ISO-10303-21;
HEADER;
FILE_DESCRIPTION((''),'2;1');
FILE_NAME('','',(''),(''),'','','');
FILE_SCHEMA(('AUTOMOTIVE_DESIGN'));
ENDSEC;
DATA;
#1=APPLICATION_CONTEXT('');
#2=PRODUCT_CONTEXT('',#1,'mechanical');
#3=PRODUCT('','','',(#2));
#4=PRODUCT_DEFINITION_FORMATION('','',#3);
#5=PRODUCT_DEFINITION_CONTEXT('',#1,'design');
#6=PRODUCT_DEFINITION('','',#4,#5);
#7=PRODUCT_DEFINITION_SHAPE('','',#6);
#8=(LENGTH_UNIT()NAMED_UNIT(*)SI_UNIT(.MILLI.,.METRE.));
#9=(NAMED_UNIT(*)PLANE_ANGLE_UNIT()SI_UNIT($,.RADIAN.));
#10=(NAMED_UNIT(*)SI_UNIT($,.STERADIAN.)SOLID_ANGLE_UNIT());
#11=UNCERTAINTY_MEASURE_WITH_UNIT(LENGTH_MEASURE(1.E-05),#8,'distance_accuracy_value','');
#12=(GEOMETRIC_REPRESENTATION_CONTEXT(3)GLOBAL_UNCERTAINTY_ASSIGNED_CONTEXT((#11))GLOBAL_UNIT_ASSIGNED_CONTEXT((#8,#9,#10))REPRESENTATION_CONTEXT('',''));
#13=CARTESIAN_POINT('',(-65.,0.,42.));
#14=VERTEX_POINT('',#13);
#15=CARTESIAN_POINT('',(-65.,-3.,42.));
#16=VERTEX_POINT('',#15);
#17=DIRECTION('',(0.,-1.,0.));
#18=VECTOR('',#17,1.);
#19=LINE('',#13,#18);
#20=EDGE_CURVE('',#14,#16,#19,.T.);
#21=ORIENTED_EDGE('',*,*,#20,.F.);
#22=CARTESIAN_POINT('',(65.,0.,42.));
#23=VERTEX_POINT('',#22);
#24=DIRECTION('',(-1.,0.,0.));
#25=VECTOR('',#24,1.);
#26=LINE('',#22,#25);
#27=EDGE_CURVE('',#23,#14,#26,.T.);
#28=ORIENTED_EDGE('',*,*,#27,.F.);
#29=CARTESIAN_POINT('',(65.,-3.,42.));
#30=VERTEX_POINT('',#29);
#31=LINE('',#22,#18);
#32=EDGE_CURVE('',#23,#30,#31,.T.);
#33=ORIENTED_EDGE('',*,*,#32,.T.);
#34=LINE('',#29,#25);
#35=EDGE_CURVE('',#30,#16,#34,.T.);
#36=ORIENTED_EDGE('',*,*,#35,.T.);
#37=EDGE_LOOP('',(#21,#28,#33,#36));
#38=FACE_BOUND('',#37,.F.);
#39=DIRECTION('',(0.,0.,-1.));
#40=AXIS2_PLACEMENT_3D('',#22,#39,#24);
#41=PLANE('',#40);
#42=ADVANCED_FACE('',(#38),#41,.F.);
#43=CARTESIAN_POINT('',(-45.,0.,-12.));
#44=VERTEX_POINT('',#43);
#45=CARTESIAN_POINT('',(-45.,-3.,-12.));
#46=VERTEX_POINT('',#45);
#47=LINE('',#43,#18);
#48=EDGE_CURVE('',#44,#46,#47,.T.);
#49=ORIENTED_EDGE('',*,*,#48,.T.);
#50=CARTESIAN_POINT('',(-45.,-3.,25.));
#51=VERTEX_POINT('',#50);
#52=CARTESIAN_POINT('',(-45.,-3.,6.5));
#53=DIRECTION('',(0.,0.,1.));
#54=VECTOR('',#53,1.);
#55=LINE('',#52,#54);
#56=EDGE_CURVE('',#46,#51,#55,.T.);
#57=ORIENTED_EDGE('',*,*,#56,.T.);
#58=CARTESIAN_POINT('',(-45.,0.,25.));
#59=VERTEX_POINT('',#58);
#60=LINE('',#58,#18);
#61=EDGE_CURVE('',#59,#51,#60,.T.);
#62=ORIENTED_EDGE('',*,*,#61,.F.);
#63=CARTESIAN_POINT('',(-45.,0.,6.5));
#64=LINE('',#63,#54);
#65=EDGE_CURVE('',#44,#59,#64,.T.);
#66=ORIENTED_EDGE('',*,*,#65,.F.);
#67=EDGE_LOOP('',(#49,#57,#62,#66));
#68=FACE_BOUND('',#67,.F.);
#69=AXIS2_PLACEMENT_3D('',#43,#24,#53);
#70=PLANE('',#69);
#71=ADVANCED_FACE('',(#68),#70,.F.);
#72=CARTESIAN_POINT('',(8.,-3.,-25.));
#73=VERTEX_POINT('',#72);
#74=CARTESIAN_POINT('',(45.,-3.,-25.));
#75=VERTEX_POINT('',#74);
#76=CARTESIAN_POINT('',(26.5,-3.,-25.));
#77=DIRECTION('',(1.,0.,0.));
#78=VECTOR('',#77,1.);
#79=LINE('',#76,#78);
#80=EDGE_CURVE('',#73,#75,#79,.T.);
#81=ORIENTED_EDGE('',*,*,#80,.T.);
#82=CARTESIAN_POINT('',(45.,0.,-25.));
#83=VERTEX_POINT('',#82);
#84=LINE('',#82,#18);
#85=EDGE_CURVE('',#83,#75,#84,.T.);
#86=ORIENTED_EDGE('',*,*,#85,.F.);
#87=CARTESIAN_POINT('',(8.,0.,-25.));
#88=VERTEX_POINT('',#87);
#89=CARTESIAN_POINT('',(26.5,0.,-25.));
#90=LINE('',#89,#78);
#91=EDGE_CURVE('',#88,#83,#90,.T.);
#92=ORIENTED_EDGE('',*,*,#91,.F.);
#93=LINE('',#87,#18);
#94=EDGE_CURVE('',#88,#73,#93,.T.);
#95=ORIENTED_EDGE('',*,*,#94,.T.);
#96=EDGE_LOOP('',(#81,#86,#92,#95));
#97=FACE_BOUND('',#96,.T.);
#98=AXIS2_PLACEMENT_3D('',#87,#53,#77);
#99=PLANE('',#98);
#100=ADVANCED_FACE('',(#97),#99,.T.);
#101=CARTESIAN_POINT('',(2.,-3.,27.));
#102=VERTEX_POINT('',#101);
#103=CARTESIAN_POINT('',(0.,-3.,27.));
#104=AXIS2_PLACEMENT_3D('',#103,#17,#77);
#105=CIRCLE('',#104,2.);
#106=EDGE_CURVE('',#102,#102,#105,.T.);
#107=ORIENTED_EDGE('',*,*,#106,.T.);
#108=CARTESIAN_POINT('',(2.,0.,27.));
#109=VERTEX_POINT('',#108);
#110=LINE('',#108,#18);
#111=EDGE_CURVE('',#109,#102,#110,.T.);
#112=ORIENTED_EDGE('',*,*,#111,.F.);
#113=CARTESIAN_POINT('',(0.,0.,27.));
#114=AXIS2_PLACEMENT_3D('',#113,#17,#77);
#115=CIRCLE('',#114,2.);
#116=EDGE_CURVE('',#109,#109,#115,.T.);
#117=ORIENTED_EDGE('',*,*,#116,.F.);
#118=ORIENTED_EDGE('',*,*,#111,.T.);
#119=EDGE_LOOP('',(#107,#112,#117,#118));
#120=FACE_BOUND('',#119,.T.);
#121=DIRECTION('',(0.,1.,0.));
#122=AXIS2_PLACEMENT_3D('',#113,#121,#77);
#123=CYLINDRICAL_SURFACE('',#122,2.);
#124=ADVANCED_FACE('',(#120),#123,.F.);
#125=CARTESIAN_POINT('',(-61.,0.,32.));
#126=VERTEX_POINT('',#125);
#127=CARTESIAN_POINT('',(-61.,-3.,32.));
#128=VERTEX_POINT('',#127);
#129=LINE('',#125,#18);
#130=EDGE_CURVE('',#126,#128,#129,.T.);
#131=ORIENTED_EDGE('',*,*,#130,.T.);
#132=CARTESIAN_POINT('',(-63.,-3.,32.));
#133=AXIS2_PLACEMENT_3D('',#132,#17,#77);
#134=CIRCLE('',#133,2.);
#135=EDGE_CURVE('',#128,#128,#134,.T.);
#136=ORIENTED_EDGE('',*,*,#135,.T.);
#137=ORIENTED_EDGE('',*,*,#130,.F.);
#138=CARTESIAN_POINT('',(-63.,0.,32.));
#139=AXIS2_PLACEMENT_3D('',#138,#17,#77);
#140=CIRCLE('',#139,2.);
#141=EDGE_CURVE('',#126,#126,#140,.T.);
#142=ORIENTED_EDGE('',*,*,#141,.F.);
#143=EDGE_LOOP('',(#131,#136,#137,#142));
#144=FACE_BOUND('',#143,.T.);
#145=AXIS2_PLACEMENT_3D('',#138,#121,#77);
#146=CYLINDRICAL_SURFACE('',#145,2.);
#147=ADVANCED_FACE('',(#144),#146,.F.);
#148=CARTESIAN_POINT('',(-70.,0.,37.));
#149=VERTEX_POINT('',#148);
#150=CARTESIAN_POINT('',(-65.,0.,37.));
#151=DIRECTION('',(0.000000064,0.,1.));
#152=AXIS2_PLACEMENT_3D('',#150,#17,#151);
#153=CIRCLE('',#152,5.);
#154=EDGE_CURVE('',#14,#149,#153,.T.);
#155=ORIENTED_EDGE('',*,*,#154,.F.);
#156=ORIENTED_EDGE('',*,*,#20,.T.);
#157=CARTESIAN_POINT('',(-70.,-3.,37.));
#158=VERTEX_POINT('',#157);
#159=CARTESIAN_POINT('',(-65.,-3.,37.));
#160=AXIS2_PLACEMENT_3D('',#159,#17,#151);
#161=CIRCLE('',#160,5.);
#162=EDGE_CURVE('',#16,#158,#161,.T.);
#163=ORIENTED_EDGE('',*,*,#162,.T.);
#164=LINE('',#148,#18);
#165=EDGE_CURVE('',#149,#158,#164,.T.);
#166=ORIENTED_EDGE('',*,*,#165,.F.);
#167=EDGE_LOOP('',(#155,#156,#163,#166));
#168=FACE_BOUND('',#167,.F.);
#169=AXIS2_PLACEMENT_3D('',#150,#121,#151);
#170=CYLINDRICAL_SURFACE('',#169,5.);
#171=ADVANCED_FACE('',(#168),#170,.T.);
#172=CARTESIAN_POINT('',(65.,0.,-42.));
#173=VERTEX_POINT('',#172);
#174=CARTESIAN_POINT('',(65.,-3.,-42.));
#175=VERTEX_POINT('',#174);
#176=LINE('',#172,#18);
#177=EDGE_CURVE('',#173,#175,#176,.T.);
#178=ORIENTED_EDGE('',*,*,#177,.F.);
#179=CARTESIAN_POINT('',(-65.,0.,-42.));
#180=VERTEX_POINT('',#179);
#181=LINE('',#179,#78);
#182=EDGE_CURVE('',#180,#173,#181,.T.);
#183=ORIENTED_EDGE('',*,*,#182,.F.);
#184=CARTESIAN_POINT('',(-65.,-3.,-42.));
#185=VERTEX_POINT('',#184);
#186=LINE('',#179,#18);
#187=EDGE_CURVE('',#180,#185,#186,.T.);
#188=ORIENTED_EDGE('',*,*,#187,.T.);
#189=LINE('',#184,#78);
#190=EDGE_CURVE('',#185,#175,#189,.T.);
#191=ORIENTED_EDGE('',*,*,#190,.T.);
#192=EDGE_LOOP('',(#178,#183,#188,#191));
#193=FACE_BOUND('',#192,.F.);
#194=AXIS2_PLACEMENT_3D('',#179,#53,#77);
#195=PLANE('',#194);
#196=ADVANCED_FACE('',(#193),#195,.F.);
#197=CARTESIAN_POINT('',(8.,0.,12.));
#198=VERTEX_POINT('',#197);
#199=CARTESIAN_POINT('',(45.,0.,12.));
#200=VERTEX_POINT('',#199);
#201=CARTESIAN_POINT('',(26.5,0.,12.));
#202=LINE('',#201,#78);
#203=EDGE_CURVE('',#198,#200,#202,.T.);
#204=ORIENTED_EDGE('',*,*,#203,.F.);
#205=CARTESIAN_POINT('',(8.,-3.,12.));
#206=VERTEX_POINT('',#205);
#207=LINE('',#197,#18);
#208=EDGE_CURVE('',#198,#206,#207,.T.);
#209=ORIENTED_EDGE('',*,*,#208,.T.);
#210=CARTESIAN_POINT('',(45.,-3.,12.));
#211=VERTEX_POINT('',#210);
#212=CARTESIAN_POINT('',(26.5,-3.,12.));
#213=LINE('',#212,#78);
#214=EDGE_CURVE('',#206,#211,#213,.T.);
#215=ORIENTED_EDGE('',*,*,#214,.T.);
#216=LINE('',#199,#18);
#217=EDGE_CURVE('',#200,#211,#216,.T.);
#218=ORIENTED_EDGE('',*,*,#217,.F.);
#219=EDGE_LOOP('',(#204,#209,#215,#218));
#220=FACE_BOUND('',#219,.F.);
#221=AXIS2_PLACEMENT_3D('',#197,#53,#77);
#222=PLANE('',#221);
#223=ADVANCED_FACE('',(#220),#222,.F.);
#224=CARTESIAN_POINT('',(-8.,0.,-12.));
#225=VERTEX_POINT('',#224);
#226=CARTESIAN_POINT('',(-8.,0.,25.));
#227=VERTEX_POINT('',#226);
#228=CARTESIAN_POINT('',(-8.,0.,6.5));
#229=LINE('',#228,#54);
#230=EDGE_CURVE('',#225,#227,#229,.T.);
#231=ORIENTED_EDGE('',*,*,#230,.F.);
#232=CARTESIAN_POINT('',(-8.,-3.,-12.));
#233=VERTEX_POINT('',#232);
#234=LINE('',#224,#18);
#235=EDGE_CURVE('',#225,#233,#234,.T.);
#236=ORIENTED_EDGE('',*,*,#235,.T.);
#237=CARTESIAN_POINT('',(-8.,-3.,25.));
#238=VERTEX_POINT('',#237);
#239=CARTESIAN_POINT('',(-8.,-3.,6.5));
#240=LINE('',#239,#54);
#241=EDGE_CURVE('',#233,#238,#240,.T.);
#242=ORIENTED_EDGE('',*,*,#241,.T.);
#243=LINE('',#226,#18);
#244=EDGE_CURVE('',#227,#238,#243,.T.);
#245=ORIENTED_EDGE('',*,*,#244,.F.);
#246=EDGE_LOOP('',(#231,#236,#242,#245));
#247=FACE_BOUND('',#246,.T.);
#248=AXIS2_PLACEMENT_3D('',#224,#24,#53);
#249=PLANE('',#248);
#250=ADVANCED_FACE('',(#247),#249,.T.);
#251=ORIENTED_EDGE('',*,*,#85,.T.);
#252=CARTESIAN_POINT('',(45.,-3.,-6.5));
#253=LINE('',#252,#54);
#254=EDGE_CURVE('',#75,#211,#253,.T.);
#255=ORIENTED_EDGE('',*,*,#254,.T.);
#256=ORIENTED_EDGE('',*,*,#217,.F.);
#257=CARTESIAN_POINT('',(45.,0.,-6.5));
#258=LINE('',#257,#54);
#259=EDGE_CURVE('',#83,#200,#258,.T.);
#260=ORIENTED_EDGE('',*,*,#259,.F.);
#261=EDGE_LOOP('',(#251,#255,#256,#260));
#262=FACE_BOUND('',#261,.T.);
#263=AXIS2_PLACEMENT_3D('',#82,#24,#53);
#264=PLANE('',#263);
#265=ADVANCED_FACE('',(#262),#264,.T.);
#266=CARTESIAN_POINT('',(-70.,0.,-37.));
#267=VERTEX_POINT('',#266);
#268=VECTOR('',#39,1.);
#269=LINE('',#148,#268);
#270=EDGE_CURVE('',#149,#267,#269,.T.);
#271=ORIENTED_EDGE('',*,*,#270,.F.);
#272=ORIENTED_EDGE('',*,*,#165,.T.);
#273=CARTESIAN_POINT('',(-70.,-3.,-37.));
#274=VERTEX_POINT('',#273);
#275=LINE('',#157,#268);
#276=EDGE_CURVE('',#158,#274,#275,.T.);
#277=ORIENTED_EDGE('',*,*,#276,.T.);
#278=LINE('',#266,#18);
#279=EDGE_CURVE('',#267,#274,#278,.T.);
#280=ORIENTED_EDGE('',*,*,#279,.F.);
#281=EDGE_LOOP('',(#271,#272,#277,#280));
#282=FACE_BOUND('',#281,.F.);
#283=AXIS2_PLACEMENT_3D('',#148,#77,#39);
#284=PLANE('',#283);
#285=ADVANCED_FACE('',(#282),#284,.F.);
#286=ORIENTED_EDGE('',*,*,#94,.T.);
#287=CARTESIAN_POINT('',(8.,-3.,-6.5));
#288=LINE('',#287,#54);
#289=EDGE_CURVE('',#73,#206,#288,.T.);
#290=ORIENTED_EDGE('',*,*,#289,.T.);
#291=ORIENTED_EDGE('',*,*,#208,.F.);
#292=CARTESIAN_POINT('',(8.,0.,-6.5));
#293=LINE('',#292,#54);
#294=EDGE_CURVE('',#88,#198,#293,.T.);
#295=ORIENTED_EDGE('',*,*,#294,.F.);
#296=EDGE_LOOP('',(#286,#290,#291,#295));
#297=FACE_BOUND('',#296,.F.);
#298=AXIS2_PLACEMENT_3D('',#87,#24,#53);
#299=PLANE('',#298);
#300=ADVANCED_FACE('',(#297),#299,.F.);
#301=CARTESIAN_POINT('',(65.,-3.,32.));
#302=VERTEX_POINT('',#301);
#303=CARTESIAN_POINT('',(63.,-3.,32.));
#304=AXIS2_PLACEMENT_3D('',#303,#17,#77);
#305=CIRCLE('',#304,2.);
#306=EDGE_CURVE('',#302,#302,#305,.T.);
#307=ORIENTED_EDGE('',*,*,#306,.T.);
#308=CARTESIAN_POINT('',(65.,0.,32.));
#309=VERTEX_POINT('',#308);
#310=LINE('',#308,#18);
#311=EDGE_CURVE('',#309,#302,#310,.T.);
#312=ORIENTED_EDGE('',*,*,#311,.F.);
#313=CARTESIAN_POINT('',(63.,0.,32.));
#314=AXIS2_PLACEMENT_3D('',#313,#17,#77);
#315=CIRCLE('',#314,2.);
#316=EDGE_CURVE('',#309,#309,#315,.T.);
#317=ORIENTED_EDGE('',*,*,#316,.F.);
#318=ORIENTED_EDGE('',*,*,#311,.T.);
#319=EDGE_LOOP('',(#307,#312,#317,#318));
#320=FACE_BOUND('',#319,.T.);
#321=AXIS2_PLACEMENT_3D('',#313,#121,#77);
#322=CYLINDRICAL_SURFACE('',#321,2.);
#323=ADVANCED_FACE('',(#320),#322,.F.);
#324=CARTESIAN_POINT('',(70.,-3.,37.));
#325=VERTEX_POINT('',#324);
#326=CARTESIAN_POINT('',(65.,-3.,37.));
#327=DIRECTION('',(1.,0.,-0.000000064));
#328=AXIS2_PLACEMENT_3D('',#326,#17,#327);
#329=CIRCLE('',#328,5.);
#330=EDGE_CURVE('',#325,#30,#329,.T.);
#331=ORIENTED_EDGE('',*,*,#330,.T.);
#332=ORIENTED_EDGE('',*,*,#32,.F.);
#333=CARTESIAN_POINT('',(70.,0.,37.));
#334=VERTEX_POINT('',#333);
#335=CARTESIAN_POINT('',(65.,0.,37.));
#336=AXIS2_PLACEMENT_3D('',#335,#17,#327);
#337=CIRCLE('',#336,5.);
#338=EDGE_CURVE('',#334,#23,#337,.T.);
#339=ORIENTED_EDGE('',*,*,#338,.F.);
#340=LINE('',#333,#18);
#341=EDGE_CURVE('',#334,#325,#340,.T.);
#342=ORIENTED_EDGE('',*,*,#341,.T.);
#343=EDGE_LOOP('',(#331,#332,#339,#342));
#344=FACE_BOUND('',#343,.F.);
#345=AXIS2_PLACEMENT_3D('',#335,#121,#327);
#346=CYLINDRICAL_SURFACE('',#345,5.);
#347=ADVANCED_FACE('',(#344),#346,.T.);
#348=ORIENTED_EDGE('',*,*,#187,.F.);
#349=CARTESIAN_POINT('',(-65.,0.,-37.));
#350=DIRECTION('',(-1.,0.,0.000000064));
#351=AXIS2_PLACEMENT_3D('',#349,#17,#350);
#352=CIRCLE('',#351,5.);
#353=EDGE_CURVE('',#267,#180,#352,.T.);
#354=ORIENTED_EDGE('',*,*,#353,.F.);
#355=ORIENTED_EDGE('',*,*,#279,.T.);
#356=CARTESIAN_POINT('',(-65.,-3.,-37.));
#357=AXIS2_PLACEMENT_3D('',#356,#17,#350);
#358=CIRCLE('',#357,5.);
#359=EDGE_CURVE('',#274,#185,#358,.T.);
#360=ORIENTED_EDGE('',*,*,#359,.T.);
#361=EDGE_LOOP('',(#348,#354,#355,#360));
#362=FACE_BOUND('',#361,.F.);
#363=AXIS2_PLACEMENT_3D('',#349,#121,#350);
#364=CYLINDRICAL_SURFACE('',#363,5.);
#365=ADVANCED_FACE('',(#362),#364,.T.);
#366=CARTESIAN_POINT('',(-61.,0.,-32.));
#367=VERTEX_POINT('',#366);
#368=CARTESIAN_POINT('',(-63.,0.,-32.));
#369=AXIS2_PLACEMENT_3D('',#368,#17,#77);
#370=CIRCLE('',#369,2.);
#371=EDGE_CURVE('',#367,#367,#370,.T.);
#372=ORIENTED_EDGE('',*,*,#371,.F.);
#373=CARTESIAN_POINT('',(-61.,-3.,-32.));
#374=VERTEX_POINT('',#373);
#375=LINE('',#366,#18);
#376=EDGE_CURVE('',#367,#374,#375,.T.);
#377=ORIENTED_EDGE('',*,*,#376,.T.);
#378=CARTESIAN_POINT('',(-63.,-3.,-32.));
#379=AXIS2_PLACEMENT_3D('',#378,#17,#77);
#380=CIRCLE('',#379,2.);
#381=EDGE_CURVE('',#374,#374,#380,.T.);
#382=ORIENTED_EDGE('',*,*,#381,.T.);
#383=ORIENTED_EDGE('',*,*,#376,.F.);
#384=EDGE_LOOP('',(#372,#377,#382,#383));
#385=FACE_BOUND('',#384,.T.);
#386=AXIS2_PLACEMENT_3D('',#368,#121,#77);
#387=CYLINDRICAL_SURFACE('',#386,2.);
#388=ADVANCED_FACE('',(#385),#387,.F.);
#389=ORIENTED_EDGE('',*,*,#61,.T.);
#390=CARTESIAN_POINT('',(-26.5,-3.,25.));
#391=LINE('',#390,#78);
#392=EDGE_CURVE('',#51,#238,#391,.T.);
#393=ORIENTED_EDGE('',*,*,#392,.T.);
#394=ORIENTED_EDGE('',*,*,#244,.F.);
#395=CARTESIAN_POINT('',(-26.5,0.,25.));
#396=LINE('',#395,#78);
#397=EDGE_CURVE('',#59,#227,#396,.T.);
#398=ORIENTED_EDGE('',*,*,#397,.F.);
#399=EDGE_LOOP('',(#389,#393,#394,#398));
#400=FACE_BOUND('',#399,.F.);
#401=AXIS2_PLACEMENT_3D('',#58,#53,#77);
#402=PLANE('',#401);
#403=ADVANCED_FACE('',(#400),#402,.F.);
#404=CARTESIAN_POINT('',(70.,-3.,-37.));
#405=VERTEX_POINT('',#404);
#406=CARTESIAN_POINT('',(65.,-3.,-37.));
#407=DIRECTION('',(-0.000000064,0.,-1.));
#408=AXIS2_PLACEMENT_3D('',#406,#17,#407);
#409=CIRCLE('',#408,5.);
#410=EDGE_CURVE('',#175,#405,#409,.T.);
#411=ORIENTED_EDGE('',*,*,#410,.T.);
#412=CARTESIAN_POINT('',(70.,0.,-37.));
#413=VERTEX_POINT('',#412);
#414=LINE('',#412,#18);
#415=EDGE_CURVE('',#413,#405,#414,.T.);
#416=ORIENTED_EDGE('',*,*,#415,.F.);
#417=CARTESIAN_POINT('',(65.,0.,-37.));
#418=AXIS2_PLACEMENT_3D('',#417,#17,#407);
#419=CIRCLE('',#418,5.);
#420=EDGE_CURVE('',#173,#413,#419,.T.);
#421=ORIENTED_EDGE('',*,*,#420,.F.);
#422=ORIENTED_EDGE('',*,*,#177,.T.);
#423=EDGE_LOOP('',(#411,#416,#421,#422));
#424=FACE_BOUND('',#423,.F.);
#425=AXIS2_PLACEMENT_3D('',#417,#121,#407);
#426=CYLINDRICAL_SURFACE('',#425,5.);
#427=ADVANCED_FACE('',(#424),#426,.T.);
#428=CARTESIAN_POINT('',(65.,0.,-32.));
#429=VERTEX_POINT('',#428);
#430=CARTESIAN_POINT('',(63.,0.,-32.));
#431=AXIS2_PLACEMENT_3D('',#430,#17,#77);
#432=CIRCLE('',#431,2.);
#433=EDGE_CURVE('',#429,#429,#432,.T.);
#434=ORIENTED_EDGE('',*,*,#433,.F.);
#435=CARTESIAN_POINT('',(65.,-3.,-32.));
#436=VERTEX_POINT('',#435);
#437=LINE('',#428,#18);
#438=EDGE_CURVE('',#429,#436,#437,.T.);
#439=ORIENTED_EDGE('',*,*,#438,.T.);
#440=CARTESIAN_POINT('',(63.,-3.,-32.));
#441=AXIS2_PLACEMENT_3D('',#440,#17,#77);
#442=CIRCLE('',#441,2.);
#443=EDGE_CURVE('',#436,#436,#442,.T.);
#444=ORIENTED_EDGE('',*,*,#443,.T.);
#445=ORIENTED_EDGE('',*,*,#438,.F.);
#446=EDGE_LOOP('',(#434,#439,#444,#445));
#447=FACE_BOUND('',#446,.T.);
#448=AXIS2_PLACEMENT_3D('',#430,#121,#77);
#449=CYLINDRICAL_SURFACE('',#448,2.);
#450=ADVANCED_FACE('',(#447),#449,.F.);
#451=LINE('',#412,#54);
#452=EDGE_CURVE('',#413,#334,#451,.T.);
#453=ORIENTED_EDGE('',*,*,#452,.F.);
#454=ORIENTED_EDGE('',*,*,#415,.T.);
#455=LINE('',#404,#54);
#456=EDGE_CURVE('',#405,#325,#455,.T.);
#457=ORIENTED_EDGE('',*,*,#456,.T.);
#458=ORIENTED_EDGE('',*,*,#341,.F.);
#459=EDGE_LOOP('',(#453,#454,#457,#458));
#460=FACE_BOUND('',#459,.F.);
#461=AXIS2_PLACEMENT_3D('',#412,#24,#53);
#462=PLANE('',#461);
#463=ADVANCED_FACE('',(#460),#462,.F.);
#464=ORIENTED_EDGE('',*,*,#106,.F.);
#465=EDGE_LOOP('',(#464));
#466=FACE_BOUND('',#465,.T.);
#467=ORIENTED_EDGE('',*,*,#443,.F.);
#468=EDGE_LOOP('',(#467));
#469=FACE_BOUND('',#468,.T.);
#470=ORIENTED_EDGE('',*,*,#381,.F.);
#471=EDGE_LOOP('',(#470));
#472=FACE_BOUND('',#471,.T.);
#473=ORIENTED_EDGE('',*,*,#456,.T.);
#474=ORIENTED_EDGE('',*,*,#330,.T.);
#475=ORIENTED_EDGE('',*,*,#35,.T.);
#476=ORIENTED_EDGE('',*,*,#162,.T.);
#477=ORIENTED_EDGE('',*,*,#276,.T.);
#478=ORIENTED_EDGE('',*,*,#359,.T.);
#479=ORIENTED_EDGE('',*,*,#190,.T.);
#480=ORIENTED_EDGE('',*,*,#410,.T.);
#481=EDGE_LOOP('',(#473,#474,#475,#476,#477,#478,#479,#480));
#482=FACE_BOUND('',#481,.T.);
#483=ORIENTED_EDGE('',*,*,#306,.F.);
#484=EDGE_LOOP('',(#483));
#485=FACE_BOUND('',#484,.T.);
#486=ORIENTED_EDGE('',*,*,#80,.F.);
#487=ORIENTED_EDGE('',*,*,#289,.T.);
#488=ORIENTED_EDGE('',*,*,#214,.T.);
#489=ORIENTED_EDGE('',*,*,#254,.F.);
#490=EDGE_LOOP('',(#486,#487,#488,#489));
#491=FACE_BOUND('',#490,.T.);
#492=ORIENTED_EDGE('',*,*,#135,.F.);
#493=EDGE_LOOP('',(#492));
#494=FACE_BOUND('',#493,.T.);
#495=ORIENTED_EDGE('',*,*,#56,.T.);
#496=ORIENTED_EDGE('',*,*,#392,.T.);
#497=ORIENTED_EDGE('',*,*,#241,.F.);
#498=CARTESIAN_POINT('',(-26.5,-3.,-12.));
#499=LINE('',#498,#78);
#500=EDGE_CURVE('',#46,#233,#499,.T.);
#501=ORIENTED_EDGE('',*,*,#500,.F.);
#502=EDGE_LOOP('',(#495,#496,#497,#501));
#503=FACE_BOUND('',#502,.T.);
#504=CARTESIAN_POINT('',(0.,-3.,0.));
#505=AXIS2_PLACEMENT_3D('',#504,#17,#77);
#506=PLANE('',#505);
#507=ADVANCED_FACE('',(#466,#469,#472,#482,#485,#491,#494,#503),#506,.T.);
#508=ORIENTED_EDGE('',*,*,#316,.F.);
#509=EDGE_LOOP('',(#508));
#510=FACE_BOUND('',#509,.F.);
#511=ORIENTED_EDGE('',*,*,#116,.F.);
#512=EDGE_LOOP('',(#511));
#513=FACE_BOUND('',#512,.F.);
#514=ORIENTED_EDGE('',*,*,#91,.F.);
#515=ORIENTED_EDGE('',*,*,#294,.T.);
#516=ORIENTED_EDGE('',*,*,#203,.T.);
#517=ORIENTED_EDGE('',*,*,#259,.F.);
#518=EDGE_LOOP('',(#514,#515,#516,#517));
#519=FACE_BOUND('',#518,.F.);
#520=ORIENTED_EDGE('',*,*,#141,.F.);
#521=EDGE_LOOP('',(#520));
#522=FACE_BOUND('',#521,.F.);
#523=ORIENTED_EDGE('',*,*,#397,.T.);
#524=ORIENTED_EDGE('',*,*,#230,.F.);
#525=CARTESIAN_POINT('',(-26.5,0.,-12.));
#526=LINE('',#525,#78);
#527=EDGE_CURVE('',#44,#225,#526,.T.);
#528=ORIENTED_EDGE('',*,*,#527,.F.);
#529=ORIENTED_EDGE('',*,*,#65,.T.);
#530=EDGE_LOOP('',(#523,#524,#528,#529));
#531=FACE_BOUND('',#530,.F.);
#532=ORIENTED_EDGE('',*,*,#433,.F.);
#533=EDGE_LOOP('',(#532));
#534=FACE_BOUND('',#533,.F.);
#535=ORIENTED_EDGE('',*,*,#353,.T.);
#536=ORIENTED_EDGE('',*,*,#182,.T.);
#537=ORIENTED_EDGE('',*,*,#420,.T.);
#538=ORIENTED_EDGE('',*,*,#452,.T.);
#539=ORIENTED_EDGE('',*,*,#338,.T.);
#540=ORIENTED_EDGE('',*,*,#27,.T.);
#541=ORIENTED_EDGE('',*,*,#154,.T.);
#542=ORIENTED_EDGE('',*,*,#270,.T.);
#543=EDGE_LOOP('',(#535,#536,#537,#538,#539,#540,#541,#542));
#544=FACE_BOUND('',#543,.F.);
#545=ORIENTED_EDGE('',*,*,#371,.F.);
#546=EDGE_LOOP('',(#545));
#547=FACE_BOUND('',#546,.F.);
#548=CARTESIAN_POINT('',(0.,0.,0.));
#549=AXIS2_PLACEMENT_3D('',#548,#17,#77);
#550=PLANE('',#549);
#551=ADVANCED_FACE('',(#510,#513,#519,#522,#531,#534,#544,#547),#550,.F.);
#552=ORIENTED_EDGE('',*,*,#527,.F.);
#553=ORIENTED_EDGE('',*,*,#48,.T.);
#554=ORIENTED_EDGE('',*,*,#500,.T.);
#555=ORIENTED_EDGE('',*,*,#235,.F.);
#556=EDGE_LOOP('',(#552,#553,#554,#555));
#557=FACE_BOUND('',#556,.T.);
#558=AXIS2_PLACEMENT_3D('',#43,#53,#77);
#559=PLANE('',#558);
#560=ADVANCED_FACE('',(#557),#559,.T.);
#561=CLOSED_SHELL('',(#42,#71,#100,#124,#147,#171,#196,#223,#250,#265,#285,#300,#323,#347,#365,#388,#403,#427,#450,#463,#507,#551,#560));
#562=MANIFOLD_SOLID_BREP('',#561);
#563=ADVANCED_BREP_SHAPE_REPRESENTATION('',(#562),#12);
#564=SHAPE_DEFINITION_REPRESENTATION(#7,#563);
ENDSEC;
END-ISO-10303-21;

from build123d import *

# Parameters (mm, degrees)
F0_R     = 2
F0_W     = 37
F0_H     = 37
F1_DEPTH = 3


with BuildPart() as f1:
    # F0 (on Front) → F1 (new body)
    with BuildSketch(Plane.XZ):
        with BuildLine():
            Line((65, 42), (-65, 42))
            ThreePointArc((-65, 42), (-68.535534, 40.535534), (-70, 37))
            Line((-70, 37), (-70, -37))
            ThreePointArc((-70, -37), (-68.535534, -40.535534), (-65, -42))
            Line((-65, -42), (65, -42))
            ThreePointArc((65, -42), (68.535534, -40.535534), (70, -37))
            Line((70, -37), (70, 37))
            ThreePointArc((70, 37), (68.535534, 40.535534), (65, 42))
        make_face()
        with Locations((-63, -32)):
            Circle(F0_R, mode=Mode.SUBTRACT)
        with Locations((63, -32)):
            Circle(F0_R, mode=Mode.SUBTRACT)
        with Locations((26.5, -6.5)):
            Rectangle(F0_W, F0_H, mode=Mode.SUBTRACT)
        with Locations((-26.5, 6.5)):
            Rectangle(F0_W, F0_H, mode=Mode.SUBTRACT)
        with Locations((-63, 32)):
            Circle(F0_R, mode=Mode.SUBTRACT)
        with Locations((0, 27)):
            Circle(F0_R, mode=Mode.SUBTRACT)
        with Locations((63, 32)):
            Circle(F0_R, mode=Mode.SUBTRACT)
    extrude(amount=F1_DEPTH)


solid = f1.part
